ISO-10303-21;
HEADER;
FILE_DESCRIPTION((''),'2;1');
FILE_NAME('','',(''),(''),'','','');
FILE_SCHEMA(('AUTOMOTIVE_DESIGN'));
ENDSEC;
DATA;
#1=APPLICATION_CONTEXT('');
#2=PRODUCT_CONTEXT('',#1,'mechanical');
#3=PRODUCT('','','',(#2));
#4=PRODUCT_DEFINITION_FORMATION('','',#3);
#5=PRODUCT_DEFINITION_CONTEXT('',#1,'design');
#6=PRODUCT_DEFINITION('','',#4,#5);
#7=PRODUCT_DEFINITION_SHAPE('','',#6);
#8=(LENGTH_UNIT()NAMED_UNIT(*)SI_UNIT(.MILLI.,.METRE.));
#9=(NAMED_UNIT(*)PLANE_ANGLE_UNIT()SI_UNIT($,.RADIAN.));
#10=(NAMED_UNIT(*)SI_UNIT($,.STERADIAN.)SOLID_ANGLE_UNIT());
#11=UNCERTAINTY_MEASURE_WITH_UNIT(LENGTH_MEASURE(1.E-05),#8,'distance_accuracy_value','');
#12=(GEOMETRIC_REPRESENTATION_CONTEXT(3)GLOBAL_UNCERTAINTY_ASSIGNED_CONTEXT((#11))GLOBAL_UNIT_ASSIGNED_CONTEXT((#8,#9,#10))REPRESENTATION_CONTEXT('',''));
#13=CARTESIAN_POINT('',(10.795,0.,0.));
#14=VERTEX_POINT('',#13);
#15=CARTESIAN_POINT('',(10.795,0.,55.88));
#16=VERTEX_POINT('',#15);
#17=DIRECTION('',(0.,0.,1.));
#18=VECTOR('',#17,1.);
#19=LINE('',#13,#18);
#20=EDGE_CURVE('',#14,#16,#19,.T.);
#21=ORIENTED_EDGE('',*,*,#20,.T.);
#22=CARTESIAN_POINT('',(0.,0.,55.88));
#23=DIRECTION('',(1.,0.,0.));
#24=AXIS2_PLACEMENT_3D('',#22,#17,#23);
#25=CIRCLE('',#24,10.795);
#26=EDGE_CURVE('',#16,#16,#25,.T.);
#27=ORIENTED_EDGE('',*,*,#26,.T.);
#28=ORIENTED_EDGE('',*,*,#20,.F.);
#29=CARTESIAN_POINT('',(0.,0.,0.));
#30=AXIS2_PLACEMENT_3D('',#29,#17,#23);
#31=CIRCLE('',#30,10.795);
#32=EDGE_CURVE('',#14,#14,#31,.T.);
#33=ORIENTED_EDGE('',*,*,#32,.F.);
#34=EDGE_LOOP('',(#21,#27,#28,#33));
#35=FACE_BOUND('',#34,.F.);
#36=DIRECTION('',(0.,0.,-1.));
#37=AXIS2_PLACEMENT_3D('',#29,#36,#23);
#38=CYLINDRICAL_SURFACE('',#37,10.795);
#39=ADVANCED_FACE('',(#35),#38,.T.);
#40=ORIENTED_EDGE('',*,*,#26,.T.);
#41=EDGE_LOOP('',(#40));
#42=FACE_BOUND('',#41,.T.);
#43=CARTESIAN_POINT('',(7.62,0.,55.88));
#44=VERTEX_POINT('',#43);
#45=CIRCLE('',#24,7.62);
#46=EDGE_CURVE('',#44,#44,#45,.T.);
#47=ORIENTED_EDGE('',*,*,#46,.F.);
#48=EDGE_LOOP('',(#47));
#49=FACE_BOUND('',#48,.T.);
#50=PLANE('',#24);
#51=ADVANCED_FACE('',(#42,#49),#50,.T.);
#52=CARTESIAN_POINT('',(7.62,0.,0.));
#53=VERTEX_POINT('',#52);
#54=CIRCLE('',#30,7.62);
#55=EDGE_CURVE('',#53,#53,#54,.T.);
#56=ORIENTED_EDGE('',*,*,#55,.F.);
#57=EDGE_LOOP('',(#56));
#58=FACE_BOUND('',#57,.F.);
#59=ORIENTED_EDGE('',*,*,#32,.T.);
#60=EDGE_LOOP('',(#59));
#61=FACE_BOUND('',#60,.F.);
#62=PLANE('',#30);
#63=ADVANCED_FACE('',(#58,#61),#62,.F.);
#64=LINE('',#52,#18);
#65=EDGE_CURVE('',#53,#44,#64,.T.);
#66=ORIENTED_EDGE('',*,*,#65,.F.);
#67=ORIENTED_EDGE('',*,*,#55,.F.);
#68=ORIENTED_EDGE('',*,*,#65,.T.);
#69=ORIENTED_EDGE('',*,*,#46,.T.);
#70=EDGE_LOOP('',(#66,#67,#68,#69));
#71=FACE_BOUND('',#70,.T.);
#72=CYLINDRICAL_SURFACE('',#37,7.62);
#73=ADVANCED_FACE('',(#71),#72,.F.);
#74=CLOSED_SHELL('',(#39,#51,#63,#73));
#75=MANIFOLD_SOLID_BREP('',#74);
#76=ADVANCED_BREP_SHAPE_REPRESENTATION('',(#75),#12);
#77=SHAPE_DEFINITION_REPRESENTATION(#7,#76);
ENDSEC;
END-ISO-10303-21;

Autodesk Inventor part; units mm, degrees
ref_plane "YZ Plane" through (0, 0, 0) normal (1, 0, 0) x (0, 1, 0)
ref_plane "XZ Plane" through (0, 0, 0) normal (0, 1, 0) x (-1, 0, 0)
ref_plane "XY Plane" through (0, 0, 0) normal (0, 0, 1) x (1, 0, 0)
sketch "Sketch1" plane through (0, 0, 0) normal (0, 0, 1) x (1, 0, 0)
  circle A0 centre (0, 0) radius 10.795
  circle A1 centre (0, 0) radius 7.62
  dimension "d0" = 21.59
  dimension "d2" = 15.24
extrude "Extrusion1" add sketch "Sketch1" along normal blind 55.88
properties part number "2in Pipe" material "PVC-Piping"
